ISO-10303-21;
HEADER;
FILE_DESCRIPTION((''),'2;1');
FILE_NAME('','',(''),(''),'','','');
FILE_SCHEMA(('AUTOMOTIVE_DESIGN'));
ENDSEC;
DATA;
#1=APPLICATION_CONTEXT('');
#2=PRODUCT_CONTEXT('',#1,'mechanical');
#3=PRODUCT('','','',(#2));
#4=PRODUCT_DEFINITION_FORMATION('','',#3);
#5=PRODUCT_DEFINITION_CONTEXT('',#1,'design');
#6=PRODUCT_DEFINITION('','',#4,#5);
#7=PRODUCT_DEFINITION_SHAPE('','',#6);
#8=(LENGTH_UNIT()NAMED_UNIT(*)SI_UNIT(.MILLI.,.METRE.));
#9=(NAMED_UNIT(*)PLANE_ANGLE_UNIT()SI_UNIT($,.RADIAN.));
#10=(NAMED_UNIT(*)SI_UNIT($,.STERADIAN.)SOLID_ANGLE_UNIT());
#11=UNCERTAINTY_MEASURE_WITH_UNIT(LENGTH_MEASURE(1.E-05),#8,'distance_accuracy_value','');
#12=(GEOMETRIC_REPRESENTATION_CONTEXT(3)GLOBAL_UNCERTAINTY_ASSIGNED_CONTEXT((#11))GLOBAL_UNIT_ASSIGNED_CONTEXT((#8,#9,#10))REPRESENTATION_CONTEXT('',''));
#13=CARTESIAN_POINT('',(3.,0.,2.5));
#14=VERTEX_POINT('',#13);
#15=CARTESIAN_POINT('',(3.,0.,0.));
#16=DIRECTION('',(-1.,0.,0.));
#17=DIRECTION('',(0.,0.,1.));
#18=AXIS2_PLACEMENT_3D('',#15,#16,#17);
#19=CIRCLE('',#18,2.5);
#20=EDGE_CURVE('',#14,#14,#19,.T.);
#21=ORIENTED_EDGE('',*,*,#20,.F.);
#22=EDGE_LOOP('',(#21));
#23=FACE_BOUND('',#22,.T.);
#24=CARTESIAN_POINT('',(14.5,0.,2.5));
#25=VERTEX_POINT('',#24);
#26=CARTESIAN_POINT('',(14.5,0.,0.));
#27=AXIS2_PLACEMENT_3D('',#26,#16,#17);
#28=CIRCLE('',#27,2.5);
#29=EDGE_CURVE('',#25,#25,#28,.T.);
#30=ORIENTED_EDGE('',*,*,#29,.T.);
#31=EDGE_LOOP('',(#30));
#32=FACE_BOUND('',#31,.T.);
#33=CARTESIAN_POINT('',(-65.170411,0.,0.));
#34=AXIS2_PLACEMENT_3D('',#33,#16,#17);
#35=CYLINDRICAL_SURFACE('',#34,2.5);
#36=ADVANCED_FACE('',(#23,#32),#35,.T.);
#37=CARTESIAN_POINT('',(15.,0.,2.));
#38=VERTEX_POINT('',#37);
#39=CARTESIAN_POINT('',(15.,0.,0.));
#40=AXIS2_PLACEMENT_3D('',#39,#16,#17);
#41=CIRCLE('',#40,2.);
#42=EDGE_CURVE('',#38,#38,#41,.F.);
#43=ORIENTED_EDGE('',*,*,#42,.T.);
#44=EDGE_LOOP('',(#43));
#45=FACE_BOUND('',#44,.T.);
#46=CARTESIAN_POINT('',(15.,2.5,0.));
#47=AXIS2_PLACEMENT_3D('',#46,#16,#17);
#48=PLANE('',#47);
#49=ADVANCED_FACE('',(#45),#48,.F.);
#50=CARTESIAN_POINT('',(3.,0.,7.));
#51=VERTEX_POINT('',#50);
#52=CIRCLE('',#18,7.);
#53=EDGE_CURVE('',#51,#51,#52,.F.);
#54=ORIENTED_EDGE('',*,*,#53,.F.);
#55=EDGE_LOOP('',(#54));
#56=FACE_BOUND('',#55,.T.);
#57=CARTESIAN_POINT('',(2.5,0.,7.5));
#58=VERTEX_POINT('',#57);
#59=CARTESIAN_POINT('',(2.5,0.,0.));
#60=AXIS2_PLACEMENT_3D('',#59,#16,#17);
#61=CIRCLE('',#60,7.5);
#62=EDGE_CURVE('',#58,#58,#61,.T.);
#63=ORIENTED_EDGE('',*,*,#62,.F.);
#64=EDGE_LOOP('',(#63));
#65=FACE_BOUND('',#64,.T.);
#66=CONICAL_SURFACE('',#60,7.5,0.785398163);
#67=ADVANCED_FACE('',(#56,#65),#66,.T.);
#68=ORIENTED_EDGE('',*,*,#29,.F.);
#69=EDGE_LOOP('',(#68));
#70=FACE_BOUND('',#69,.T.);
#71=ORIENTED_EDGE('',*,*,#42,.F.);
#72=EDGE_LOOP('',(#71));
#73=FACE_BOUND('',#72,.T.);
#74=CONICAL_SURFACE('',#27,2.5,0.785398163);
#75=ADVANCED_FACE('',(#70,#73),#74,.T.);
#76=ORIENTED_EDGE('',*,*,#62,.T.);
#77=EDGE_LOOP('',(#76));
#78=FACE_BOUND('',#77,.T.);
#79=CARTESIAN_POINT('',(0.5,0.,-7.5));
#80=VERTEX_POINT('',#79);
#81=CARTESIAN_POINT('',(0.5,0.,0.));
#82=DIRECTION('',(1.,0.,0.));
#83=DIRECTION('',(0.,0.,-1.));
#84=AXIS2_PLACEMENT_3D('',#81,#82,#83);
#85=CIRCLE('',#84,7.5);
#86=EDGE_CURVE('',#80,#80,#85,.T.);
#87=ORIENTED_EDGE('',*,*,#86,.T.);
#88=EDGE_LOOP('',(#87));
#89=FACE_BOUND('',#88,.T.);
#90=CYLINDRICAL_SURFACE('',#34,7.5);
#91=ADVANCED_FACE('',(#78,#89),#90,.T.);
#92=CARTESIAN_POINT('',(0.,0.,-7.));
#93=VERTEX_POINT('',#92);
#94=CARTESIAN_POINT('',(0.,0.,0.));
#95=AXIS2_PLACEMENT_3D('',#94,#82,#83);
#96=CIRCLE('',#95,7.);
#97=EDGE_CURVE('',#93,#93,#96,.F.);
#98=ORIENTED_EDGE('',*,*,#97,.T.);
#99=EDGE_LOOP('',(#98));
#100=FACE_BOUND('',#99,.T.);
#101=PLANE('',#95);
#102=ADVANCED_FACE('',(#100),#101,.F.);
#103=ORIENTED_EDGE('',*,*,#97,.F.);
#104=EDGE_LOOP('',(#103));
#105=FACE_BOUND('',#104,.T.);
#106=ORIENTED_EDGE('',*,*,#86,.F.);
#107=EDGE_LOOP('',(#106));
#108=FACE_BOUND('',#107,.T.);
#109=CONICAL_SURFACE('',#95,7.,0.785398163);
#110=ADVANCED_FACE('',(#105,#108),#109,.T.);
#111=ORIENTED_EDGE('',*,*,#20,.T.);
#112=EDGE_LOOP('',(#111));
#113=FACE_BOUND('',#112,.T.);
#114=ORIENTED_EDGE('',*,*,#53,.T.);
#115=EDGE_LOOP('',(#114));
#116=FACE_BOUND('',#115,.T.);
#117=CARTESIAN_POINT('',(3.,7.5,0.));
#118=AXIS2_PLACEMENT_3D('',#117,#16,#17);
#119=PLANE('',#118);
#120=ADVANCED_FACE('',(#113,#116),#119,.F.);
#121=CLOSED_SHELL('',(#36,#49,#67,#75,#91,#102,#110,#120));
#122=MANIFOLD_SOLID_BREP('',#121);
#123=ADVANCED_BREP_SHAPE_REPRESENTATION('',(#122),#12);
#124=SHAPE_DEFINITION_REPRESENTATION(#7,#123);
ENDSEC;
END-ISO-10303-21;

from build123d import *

# Parameters (mm, degrees)
CHANFREIN1_SIZE = 0.5


with BuildPart() as part:
    # Esquisse1 → Révolution1 (revolve)
    with BuildSketch(Plane.XY, mode=Mode.PRIVATE) as r_volution1_sk:
        Polygon((0, 0), (0, 7.5), (3, 7.5), (3, 2.5), (15, 2.5), (15, 0), align=None)
    revolve(r_volution1_sk.sketch.rotate(Axis((-65.170410524, 0, 0), (1, 0, 0)), 90), axis=Axis((-65.170410524, 0, 0), (1, 0, 0)))

    # Chanfrein1
    chanfrein1_edges = [part.edges().sort_by_distance(p)[0] for p in [
        (15, 0, -2.5),
        (3, 0, -7.5),
        (0, 0, -7.5),
    ]]
    chamfer(chanfrein1_edges, length=CHANFREIN1_SIZE)


solid = part.part
